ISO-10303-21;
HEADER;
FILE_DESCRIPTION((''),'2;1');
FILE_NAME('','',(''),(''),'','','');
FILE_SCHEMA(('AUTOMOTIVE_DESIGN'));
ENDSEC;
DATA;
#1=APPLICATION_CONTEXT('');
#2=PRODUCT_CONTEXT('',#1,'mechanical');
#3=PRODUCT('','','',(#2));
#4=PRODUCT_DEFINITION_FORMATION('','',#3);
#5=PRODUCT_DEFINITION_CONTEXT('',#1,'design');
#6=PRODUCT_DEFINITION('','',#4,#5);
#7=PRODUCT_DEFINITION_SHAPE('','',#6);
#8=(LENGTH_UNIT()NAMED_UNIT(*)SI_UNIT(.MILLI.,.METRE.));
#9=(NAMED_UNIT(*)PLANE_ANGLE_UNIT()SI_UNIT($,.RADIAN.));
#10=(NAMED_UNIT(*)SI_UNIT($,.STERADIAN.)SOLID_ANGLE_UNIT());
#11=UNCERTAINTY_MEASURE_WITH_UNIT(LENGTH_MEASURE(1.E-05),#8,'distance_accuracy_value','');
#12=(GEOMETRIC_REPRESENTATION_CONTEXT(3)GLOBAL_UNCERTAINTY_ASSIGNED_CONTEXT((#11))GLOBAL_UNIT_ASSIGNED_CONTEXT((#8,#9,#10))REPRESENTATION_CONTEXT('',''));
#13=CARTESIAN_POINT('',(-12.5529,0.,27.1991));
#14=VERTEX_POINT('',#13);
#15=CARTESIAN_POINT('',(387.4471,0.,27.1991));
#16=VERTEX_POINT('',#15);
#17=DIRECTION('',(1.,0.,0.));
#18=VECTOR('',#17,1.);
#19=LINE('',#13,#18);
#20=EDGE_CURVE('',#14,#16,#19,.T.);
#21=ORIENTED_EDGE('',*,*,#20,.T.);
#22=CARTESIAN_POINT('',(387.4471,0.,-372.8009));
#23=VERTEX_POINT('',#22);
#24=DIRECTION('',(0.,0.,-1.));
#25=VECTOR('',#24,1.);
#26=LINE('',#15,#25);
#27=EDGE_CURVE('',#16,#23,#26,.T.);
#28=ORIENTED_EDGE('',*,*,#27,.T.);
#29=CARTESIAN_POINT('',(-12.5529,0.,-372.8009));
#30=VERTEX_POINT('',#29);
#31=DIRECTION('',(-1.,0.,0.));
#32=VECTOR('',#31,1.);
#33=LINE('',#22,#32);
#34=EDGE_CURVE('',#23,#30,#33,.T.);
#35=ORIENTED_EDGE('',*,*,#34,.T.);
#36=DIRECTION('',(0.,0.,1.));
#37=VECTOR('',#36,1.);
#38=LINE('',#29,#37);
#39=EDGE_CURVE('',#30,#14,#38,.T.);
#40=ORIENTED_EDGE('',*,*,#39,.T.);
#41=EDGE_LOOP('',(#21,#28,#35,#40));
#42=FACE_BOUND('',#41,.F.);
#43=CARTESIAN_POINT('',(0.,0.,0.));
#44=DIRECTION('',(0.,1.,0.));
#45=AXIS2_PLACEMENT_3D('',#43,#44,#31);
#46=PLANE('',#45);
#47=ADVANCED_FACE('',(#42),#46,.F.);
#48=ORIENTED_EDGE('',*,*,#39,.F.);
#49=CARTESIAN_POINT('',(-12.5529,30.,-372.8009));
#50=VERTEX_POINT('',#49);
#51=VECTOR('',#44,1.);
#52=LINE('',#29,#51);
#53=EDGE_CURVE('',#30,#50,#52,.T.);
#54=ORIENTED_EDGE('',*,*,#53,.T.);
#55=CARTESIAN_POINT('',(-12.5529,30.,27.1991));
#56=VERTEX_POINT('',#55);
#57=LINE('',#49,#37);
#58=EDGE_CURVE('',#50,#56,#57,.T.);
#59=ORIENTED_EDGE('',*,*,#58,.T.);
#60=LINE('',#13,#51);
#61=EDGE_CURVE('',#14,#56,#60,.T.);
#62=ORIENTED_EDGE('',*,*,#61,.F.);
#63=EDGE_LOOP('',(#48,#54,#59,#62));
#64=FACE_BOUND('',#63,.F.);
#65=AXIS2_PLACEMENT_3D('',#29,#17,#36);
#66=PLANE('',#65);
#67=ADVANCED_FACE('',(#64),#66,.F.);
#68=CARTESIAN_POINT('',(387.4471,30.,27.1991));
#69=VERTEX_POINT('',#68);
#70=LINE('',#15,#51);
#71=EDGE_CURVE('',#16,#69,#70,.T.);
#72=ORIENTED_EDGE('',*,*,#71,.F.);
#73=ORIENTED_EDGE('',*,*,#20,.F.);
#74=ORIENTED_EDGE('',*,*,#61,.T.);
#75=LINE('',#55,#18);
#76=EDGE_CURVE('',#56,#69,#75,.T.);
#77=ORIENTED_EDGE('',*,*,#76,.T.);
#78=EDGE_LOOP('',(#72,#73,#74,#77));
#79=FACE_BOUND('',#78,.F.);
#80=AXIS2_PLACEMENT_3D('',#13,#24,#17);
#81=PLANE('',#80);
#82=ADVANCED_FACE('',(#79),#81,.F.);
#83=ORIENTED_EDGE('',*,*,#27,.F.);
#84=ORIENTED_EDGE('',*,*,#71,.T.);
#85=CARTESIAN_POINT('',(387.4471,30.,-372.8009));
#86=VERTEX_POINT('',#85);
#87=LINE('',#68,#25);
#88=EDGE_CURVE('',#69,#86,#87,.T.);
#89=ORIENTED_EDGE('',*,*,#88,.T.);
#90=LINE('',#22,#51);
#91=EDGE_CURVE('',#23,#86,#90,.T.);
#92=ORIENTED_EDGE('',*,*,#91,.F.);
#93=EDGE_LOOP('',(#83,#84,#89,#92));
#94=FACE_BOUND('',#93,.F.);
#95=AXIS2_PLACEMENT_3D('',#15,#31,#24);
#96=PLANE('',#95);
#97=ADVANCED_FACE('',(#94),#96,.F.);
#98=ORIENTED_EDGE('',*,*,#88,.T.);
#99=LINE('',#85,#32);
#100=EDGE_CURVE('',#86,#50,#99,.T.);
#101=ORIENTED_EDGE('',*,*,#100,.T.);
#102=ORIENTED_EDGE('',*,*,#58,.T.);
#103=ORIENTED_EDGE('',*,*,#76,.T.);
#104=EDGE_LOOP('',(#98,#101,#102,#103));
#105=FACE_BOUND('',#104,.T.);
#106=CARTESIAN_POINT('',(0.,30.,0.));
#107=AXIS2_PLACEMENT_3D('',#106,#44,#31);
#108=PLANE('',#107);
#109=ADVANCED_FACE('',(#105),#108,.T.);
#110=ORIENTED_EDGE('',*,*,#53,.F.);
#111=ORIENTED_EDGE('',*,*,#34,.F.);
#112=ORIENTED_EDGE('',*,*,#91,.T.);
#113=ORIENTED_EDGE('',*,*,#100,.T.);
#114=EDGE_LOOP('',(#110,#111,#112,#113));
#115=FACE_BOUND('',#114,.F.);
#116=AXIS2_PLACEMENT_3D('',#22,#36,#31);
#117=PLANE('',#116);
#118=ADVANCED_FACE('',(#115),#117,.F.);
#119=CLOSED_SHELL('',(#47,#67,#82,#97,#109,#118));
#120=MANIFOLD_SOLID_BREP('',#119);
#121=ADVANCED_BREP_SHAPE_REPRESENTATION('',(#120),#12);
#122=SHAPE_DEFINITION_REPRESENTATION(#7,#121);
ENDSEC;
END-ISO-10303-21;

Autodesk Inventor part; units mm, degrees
ref_plane "YZ Plane" through (0, 0, 0) normal (1, 0, 0) x (0, 1, 0)
ref_plane "XZ Plane" through (0, 0, 0) normal (0, 1, 0) x (-1, 0, 0)
ref_plane "XY Plane" through (0, 0, 0) normal (0, 0, 1) x (1, 0, 0)
sketch "Sketch1" plane through (0, 0, 0) normal (0, 1, 0) x (-1, 0, 0)
  line L0 (12.5529, 27.1991) -> (-387.4471, 27.1991)
  line L1 (-387.4471, 27.1991) -> (-387.4471, -372.8009)
  line L2 (-387.4471, -372.8009) -> (12.5529, -372.8009)
  line L3 (12.5529, -372.8009) -> (12.5529, 27.1991)
  point P0 (0, 0)
  dimension "d0" = 400
  dimension "d1" = 400
  dimension "d2" = 400
extrude "Extrusion1" add sketch "Sketch1" along normal blind 30
properties part number "lowerbase"
